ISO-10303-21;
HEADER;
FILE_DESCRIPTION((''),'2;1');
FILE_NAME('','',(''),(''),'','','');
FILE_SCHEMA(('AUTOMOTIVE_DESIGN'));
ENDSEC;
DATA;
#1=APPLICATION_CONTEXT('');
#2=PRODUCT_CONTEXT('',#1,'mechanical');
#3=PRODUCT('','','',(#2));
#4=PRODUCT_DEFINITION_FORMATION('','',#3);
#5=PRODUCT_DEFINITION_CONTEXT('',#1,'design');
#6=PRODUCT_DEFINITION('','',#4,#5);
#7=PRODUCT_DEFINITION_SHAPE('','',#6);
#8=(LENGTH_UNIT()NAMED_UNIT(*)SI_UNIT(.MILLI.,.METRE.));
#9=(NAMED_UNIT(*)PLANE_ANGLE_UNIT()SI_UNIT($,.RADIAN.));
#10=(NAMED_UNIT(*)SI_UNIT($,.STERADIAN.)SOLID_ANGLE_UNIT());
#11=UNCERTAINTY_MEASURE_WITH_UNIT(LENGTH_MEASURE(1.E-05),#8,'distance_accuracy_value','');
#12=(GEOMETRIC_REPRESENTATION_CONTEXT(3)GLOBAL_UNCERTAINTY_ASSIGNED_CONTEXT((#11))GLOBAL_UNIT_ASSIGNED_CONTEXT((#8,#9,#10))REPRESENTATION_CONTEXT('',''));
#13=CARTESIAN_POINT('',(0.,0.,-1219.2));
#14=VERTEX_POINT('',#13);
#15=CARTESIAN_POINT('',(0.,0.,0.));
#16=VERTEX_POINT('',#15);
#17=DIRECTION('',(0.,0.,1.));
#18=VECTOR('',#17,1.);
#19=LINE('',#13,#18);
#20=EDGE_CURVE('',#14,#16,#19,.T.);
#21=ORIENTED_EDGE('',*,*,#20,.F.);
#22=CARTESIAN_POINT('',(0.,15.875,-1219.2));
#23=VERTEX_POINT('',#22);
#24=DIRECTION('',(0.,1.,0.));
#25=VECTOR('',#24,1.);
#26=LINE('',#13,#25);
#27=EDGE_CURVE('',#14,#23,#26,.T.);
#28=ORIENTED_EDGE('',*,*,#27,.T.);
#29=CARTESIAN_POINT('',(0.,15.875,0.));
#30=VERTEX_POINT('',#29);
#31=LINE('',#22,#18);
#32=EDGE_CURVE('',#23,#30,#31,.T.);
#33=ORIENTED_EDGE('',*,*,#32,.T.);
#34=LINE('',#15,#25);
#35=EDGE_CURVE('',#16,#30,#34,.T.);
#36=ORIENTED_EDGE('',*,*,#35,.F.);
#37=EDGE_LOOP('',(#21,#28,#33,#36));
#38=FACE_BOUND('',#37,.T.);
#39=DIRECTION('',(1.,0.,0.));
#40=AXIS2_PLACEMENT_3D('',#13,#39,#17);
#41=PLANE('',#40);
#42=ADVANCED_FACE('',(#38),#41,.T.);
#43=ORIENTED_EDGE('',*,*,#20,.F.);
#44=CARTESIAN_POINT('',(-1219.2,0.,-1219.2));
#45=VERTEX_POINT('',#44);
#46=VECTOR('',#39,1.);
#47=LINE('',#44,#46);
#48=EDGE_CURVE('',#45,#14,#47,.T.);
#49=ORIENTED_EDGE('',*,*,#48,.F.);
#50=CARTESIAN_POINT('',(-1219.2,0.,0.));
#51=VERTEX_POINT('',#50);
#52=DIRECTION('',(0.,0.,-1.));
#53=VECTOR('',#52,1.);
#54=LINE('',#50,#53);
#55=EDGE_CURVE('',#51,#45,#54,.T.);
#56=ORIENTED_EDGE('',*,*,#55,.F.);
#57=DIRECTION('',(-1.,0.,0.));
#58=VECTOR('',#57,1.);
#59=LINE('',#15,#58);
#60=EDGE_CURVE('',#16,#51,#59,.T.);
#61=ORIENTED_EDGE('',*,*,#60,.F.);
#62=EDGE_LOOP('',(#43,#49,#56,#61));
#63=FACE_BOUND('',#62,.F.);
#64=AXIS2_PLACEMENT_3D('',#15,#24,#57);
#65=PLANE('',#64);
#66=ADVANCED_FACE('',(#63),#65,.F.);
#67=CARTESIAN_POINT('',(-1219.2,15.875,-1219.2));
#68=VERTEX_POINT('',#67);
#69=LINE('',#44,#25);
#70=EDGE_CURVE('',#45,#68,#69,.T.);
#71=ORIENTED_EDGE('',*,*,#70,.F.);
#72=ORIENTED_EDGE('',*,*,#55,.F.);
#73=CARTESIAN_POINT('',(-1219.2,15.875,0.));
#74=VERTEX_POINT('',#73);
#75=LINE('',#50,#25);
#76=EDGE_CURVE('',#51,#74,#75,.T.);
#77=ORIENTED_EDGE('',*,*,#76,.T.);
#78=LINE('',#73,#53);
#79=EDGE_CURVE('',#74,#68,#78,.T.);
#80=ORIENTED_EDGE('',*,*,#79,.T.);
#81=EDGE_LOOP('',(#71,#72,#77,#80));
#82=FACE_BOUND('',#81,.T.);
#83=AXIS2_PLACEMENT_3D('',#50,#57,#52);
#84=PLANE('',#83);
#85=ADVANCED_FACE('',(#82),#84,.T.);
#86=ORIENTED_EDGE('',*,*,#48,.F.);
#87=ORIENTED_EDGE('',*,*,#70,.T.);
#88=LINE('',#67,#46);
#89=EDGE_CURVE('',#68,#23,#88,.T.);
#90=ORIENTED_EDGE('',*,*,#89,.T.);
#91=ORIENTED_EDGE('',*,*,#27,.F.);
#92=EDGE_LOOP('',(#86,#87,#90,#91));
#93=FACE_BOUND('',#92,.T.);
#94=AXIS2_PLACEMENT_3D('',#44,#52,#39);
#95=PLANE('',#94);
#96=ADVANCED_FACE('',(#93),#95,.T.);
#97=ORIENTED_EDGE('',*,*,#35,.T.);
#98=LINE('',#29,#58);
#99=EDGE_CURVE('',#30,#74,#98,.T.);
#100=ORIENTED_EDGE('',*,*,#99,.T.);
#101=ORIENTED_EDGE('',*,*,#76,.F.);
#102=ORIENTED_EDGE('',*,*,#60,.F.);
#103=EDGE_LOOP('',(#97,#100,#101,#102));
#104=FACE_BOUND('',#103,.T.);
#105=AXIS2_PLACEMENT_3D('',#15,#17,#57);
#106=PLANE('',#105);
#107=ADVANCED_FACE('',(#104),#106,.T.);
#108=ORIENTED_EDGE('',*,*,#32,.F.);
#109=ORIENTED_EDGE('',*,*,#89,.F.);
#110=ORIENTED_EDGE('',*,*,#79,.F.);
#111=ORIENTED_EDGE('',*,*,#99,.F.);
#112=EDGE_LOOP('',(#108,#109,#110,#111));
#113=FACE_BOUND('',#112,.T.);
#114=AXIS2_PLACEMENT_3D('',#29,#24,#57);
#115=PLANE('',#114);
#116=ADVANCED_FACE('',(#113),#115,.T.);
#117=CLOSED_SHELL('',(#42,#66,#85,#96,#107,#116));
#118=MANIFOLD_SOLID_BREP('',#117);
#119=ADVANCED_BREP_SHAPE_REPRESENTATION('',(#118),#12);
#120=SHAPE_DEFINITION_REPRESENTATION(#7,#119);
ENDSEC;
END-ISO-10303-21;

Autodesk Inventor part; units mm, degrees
ref_plane "YZ Plane" through (0, 0, 0) normal (1, 0, 0) x (0, 1, 0)
ref_plane "XZ Plane" through (0, 0, 0) normal (0, 1, 0) x (-1, 0, 0)
ref_plane "XY Plane" through (0, 0, 0) normal (0, 0, 1) x (1, 0, 0)
sketch "Sketch1" plane through (0, 0, 0) normal (0, 1, 0) x (-1, 0, 0)
  line L0 (0, 0) -> (1219.2, 0)
  line L1 (1219.2, 0) -> (1219.2, -1219.2)
  line L2 (1219.2, -1219.2) -> (0, -1219.2)
  line L3 (0, -1219.2) -> (0, 0)
  dimension "d0" = 1219.2
  dimension "d1" = 1219.2
extrude "Extrusion1" add sketch "Sketch1" along normal blind 15.875
properties part number "XZ Gyp Board"
